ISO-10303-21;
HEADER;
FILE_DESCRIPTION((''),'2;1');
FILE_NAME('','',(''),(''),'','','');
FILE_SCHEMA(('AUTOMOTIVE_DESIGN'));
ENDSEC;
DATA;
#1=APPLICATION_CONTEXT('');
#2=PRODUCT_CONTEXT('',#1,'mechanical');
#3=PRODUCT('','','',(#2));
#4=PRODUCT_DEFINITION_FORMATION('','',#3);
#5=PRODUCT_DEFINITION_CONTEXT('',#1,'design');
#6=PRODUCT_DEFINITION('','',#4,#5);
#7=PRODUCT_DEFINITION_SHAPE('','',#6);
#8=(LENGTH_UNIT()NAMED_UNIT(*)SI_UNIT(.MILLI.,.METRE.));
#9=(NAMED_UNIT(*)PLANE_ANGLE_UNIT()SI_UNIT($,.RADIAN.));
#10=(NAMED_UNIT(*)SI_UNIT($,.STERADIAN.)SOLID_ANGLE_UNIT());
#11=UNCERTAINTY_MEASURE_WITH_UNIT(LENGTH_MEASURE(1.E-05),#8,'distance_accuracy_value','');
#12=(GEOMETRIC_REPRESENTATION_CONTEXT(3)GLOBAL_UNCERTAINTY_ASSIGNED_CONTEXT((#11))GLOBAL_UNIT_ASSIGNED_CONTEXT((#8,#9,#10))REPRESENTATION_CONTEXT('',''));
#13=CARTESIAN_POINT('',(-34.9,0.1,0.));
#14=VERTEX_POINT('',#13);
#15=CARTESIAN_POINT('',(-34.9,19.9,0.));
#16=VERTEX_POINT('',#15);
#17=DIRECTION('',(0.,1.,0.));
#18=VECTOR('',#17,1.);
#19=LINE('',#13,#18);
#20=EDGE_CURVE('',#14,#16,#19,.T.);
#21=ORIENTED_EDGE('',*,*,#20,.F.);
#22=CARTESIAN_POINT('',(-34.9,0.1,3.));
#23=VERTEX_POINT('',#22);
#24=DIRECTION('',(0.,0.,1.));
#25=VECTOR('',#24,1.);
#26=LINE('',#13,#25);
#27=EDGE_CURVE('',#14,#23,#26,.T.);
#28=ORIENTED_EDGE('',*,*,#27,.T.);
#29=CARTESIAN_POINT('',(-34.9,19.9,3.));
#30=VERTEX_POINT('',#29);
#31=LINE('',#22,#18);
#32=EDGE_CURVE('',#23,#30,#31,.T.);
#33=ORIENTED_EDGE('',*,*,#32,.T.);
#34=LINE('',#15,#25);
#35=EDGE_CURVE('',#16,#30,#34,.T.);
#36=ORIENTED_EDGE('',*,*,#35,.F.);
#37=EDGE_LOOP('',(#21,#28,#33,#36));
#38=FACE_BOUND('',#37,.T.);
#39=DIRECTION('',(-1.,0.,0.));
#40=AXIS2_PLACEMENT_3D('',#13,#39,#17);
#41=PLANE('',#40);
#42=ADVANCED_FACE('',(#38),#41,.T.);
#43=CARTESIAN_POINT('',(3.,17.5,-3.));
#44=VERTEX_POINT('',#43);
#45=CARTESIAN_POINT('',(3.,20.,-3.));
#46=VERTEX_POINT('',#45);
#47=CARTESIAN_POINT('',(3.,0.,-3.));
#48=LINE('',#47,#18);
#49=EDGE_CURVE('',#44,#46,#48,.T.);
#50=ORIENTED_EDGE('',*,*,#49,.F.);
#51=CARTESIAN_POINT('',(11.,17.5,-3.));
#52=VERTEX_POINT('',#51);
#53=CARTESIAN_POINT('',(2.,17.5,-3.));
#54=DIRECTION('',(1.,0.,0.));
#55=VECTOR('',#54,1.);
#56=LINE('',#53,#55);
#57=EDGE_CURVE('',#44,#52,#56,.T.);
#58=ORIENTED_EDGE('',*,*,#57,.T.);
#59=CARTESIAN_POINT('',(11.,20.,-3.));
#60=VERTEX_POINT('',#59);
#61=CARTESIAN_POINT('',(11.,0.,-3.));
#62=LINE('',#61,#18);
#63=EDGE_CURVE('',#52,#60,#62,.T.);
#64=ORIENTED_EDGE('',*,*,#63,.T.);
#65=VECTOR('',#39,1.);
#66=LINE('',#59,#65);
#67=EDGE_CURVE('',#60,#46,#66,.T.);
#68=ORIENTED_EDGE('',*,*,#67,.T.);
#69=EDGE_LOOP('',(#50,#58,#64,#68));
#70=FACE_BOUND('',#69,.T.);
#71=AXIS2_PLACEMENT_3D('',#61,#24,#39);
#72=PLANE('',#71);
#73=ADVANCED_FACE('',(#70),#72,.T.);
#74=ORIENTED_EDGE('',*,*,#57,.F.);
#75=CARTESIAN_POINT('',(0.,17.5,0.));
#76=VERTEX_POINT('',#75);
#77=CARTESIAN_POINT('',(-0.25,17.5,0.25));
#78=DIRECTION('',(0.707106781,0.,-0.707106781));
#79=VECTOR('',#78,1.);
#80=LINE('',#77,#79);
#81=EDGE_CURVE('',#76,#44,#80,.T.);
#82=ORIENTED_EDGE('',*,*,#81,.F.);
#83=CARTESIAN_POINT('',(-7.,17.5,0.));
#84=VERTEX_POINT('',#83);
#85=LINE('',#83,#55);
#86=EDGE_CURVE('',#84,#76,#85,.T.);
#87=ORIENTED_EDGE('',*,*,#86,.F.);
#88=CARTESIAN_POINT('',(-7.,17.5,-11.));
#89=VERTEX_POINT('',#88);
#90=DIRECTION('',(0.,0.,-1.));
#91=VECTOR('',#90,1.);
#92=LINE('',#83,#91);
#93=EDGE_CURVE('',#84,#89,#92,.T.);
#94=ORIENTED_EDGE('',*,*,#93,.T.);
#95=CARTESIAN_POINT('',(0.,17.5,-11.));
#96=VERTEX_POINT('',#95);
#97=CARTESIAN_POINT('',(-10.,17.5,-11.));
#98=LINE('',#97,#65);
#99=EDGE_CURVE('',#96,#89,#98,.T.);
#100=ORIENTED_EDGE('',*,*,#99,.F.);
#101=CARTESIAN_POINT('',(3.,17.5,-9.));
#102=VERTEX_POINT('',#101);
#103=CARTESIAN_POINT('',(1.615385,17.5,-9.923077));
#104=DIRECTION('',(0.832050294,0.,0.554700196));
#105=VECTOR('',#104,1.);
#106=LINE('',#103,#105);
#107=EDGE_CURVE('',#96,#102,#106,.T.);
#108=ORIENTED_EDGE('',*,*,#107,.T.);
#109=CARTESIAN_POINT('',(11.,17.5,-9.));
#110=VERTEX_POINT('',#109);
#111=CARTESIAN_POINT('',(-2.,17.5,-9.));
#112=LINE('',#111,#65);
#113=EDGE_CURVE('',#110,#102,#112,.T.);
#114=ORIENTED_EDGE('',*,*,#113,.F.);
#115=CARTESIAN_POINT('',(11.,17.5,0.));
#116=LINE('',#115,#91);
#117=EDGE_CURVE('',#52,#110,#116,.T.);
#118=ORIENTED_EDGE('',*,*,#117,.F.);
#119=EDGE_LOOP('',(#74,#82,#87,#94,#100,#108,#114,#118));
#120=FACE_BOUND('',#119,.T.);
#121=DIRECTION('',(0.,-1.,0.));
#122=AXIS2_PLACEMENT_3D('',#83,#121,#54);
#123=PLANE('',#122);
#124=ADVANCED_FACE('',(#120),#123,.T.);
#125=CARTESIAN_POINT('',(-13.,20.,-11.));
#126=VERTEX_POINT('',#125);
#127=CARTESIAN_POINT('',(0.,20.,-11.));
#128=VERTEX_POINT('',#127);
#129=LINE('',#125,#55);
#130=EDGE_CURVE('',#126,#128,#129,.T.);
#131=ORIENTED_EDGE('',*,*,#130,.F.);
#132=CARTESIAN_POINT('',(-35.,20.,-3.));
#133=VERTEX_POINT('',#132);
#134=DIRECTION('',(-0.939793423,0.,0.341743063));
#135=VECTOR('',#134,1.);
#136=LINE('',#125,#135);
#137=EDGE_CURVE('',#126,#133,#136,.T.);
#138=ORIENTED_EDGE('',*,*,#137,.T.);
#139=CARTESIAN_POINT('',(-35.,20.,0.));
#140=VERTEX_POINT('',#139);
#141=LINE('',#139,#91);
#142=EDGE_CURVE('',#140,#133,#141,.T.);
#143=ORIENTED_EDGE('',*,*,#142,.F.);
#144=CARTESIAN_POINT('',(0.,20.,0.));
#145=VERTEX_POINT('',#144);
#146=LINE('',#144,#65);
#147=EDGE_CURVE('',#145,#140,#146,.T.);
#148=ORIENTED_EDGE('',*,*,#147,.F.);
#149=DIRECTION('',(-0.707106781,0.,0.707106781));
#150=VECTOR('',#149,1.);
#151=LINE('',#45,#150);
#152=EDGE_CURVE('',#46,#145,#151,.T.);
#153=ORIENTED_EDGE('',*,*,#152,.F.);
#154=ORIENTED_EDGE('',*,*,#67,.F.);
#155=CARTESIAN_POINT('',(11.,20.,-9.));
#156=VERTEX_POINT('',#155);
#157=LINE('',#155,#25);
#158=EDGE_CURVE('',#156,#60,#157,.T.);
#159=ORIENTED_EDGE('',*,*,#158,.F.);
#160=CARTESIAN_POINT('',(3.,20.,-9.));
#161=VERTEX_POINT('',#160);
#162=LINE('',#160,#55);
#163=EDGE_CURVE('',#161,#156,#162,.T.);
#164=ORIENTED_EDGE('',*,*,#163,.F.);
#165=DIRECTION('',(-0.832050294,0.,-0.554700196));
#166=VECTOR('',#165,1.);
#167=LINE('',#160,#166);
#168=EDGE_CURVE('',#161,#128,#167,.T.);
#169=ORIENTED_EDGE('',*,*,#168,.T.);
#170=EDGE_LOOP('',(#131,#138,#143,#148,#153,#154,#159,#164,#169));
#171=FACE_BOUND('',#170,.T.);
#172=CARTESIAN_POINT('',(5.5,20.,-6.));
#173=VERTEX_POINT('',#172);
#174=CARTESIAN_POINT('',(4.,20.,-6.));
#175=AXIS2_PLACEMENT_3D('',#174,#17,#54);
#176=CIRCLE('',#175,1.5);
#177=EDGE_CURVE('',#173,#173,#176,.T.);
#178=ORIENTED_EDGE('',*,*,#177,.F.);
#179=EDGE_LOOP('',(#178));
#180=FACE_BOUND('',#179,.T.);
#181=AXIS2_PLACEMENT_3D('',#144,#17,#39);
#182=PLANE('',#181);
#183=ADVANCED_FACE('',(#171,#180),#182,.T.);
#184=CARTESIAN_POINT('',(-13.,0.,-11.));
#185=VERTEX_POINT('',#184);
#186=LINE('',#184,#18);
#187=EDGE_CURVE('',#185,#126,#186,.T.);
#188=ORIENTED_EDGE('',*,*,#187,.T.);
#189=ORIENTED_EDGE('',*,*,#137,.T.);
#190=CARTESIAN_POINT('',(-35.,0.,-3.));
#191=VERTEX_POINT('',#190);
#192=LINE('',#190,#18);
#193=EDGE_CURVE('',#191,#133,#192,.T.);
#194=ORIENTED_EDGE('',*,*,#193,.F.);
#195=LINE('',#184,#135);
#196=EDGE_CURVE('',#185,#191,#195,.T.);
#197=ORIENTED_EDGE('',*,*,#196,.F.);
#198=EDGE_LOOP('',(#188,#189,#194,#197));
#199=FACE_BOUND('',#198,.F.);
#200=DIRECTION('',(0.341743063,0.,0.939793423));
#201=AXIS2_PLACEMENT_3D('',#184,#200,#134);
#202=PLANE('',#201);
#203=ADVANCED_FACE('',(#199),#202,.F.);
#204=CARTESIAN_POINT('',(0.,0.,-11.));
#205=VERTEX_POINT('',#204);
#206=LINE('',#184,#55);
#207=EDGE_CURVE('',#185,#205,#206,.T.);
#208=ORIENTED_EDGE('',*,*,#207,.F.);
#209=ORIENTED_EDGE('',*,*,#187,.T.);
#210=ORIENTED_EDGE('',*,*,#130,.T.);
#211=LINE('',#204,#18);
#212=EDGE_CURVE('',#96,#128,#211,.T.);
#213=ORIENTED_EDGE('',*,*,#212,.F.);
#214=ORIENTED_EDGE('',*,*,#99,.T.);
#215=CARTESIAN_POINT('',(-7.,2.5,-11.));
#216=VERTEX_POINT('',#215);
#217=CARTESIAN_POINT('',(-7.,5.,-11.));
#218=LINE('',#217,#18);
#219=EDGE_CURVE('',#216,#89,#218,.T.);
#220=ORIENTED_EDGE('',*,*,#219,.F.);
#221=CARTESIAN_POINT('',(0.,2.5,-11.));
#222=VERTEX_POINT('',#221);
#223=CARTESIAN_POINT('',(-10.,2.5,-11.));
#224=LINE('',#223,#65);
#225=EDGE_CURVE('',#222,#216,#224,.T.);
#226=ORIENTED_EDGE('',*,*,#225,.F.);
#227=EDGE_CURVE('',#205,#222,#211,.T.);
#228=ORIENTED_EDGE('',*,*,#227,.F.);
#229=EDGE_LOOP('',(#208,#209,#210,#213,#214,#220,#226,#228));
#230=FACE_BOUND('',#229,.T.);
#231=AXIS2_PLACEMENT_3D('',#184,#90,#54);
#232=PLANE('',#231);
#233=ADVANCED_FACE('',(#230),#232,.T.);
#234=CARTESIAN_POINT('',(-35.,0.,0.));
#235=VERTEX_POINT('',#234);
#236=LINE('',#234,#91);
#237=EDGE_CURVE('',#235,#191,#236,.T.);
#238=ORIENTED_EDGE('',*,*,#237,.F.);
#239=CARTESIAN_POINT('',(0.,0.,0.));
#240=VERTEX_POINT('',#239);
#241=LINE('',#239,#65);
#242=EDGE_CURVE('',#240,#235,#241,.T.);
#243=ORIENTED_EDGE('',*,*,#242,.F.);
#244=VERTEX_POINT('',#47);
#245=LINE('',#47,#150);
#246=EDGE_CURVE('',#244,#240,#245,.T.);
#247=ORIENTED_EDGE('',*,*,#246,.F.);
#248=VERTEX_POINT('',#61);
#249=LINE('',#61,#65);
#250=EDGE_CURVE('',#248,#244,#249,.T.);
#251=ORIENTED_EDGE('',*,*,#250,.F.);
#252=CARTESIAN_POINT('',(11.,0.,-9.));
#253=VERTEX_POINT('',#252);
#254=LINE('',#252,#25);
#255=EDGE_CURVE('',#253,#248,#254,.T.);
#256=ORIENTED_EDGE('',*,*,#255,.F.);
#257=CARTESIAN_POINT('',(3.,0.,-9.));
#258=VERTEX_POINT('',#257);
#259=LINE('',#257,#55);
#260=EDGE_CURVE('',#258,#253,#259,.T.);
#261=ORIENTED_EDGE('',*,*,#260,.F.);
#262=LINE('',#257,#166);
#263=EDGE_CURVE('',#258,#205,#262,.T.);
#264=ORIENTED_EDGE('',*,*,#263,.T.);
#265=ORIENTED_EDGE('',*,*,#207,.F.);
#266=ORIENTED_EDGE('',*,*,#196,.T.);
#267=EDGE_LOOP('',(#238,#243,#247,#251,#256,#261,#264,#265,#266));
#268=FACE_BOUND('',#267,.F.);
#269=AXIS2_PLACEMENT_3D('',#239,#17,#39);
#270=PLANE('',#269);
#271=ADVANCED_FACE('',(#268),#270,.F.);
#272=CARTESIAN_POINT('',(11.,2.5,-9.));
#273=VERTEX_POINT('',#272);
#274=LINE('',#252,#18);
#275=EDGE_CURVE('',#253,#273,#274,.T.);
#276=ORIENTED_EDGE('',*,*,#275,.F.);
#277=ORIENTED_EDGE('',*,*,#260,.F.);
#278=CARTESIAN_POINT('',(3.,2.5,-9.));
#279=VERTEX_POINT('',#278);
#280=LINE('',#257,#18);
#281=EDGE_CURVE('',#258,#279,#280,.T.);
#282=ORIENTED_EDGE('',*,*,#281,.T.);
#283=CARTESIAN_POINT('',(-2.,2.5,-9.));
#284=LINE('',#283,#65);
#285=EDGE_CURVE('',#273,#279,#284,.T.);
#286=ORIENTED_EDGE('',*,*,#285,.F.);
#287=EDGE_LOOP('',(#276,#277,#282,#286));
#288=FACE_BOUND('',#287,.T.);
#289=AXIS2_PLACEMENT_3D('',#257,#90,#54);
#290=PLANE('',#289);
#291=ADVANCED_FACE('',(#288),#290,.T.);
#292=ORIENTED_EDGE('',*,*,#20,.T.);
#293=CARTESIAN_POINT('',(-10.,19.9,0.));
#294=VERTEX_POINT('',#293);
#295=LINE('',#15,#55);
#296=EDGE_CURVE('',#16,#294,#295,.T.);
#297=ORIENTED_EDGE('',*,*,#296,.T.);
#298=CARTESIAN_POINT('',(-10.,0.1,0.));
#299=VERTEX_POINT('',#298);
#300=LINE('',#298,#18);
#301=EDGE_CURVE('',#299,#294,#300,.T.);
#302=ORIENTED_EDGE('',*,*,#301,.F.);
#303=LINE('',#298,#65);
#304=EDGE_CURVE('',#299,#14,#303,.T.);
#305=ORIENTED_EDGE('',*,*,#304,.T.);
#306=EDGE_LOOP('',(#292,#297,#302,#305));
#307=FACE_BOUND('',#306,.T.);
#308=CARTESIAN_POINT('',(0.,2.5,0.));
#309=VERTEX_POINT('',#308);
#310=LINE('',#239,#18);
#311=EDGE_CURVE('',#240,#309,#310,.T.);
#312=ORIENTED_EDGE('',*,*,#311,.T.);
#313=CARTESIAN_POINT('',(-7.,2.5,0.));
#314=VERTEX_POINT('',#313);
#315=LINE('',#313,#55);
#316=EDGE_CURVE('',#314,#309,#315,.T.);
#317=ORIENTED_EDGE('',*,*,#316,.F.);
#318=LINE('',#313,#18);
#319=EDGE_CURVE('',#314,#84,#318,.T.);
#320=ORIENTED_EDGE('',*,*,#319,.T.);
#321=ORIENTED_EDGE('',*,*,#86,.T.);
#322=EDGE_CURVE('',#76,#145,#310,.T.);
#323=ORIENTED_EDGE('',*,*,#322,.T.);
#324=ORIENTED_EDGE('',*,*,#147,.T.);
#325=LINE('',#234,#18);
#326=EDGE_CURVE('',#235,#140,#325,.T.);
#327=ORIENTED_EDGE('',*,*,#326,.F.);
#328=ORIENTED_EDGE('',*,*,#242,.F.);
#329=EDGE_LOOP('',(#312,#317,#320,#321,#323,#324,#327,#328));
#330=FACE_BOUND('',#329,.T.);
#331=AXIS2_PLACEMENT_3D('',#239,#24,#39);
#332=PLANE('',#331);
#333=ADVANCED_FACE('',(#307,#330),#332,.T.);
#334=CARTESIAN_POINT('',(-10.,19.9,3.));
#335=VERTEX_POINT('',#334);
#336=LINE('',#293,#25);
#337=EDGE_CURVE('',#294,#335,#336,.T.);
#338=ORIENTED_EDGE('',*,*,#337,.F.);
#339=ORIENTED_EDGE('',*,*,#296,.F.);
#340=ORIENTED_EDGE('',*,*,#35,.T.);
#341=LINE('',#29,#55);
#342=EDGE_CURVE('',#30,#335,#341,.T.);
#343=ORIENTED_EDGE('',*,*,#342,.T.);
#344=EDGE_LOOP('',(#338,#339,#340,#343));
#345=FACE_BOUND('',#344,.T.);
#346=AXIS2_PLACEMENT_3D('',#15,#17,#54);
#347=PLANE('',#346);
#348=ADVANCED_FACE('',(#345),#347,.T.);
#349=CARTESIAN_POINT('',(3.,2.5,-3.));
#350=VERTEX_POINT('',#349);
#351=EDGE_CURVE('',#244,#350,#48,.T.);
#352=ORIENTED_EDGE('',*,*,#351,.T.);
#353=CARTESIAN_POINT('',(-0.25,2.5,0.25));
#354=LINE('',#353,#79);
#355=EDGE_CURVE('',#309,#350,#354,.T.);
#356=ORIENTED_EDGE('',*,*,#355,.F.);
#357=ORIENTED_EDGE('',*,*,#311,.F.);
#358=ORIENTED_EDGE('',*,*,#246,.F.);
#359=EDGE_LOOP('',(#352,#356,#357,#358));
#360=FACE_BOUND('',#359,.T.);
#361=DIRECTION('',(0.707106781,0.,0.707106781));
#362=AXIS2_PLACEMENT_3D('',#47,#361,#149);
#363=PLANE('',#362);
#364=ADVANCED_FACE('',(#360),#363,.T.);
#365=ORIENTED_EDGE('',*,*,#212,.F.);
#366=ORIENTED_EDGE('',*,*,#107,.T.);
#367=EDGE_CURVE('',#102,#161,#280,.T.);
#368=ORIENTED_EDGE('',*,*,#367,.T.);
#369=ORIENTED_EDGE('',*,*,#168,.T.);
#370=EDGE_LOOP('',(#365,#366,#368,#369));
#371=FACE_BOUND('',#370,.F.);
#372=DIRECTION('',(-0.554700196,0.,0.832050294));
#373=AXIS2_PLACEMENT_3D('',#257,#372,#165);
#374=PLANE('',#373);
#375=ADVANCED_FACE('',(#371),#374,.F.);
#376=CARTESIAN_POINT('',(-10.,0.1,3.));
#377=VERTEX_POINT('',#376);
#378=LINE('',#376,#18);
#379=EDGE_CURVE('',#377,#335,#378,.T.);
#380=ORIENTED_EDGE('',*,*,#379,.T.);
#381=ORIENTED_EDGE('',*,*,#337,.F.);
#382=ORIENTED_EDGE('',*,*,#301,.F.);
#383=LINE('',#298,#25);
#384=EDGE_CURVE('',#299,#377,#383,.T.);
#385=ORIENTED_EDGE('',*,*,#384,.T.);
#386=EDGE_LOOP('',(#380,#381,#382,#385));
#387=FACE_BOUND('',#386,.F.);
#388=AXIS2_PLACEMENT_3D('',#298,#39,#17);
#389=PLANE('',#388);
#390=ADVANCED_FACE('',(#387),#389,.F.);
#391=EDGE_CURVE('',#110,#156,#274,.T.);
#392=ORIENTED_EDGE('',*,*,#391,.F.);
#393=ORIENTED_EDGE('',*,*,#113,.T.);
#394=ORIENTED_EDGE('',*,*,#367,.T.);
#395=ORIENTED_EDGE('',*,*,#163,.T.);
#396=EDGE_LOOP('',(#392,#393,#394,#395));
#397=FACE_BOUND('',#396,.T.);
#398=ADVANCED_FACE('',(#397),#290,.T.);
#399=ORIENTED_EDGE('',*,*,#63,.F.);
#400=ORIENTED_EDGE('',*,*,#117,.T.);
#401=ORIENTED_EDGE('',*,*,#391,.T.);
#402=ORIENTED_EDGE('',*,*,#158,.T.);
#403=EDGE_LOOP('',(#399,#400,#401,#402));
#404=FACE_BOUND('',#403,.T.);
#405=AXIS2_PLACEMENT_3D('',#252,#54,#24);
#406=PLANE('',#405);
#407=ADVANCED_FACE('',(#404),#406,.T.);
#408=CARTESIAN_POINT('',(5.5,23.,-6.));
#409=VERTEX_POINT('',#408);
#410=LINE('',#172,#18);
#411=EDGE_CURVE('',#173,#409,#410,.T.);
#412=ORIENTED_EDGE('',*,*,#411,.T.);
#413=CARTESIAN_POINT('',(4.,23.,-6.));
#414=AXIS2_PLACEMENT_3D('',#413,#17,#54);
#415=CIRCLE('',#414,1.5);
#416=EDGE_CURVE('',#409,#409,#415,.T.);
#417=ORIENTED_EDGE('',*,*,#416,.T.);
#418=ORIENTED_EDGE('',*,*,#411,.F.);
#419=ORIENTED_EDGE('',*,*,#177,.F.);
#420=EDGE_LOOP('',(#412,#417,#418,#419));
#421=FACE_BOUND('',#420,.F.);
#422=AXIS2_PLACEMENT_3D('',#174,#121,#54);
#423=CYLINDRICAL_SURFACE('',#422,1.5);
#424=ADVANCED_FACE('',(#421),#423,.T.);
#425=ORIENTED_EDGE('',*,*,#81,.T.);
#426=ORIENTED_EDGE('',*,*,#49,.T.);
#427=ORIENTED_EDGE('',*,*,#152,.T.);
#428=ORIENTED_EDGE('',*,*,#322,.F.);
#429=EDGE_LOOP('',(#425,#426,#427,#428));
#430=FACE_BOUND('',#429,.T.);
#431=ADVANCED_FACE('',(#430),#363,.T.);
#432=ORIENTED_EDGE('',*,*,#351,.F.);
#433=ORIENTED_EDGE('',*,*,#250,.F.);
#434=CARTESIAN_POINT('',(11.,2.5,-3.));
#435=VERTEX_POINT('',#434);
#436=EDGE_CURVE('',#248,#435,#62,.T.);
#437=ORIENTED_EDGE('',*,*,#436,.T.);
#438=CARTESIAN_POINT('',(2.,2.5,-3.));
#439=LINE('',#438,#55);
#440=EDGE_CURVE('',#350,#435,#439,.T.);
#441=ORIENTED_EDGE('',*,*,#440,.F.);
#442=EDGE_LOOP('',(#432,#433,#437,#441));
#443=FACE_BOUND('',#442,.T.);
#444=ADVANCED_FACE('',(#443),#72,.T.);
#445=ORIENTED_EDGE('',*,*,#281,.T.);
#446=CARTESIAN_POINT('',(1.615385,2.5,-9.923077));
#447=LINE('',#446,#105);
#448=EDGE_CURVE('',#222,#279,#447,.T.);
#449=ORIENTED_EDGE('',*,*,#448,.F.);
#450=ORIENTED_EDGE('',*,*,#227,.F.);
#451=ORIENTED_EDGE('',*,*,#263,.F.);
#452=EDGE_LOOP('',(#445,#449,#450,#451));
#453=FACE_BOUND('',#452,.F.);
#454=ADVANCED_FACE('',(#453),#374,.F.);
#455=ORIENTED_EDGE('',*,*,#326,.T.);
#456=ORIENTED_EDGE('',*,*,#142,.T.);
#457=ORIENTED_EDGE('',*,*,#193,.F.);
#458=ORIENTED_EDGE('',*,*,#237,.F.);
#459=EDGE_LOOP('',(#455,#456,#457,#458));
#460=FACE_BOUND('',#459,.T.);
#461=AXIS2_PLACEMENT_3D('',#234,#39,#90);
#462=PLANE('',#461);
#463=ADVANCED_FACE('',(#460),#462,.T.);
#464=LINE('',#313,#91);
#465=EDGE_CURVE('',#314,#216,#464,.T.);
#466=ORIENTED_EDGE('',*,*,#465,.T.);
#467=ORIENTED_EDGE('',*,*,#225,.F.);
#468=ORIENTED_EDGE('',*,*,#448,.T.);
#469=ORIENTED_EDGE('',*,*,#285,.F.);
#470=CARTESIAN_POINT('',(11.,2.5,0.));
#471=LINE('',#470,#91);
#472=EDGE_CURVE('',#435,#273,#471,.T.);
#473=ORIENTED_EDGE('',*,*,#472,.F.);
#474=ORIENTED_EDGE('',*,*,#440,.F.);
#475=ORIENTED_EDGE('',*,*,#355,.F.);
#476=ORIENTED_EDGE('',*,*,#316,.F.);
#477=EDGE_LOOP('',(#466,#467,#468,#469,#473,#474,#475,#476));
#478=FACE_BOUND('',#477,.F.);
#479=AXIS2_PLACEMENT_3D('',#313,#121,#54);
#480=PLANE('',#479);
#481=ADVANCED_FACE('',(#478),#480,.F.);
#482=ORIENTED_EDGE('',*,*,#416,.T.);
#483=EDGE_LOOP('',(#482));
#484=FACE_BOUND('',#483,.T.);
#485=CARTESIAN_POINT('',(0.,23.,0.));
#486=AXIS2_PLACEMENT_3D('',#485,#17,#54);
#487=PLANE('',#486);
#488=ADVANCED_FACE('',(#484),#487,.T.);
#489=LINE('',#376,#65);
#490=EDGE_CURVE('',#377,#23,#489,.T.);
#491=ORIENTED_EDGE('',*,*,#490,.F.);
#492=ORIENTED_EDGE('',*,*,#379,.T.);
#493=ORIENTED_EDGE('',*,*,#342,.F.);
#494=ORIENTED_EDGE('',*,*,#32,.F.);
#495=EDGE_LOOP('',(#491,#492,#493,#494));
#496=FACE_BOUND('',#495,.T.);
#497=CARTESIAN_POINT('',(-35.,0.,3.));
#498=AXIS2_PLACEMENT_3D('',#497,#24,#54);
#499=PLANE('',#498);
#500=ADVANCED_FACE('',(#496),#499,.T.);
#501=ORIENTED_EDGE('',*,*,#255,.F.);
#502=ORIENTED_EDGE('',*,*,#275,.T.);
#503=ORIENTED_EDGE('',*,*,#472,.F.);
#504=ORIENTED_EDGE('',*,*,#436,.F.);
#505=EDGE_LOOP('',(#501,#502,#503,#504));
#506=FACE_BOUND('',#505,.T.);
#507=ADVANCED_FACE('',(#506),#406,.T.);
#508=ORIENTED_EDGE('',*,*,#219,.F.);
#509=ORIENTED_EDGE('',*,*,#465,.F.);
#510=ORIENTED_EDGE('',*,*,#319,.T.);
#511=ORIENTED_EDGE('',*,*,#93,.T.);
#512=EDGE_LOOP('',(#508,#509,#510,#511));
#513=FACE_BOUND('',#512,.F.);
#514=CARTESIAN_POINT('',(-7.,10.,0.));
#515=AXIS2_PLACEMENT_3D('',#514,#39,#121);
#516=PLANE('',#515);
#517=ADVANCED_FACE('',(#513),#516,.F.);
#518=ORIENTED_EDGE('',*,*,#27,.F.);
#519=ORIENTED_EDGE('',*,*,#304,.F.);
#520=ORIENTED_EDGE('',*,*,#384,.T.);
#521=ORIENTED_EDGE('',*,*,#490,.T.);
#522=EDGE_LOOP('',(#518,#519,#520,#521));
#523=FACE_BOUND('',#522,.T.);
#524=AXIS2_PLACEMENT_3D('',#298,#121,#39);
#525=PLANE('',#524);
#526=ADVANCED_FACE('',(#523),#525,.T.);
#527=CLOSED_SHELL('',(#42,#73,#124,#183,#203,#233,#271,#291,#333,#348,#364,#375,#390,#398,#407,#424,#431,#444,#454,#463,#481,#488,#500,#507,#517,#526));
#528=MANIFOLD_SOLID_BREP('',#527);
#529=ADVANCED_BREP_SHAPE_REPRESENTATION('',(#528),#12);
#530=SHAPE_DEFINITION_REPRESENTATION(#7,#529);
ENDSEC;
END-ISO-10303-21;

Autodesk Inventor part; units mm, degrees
ref_plane "YZ Plane" through (0, 0, 0) normal (1, 0, 0) x (0, 1, 0)
ref_plane "XZ Plane" through (0, 0, 0) normal (0, 1, 0) x (-1, 0, 0)
ref_plane "XY Plane" through (0, 0, 0) normal (0, 0, 1) x (1, 0, 0)
sketch "Sketch1" plane through (0, 0, 0) normal (0, 1, 0) x (-1, 0, 0)
  point P0 (0, 0)
sketch "Sketch2" plane through (0, 0, 0) normal (0, 1, 0) x (-1, 0, 0)
  line L0 (0, 0) -> (35, 0)
  line L1 (35, 0) -> (35, -3)
  line L2 (13, -11) -> (35, -3)
  line L3 (13, -11) -> (0, -11)
  line L4 (-3, -9) -> (0, -11)
  line L5 (-3, -9) -> (-11, -9)
  line L6 (-11, -9) -> (-11, -3)
  line L7 (-11, -3) -> (-3, -3)
  line L8 (-3, -3) -> (0, 0)
  dimension "d0" = 35
  dimension "d1" = 3
  dimension "d8" = 6
extrude "Extrusion1" add sketch "Sketch2" along normal blind 20
sketch "Sketch3" plane through (0, 20, 0) normal (0, 1, 0) x (1, 0, 0)
  line L0 (11, 9) -> (11, 3) projected
  line L1 (11, 6) -> (4, 6)
  circle A0 centre (4, 6) radius 1.5
  dimension "d11" = 7
  dimension "d12" = 3
extrude "Extrusion2" add sketch "Sketch3" along normal blind 3
sketch "Sketch4" plane through (-35, 0, 0) normal (0, 0, 1) x (1, 0, 0)
  line L0 (46, 0) -> (46, 20) projected
  line L1 (46, 10) -> (28, 10)
  line L2 (28, 10) -> (28, 17.5)
  line L3 (28, 17.5) -> (28, 2.5)
  line L4 (28, 2.5) -> (46, 2.5)
  line L5 (28, 17.5) -> (46, 17.5)
  line L6 (46, 2.5) -> (46, 17.5)
  dimension "d15" = 18
  dimension "d16" = 7.5
  dimension "d17" = 15
extrude "Extrusion3" cut sketch "Sketch4" against normal through all
sketch "Sketch5" plane through (-35, 0, 0) normal (0, 0, 1) x (1, 0, 0)
  line L0 (28, 17.5) -> (35, 17.5) projected
  line L1 (35, 17.5) -> (35, 20) projected
  line L2 (0, 20) -> (35, 20) projected
  line L3 (35, 0) -> (35, 2.5) projected
  line L4 (35, 2.5) -> (28, 2.5) projected
  line L5 (28, 2.5) -> (28, 17.5) projected
  line L6 (0, 0) -> (25, 0)
  line L7 (25, 0.1) -> (25, 19.9)
  line L8 (25, 20) -> (0, 20)
  line L9 (0, 20) -> (0, 0)
  line L10 (34.9, 19.9) -> (34.9, 17.6)
  line L11 (34.9, 17.6) -> (27.9, 17.6)
  line L12 (27.9, 17.6) -> (27.9, 2.4)
  line L13 (27.9, 2.4) -> (34.9, 2.4)
  line L14 (34.9, 2.4) -> (34.9, 0.1)
  line L15 (25, 0.1) -> (0.1, 0.1)
  line L16 (0.1, 0.1) -> (0.1, 19.9)
  line L17 (0.1, 19.9) -> (25, 19.9)
  dimension "d20" = 25
  dimension "d21" = 0.1
extrude "Extrusion4" add sketch "Sketch5" along normal blind 3
properties part number "EE Claw"
